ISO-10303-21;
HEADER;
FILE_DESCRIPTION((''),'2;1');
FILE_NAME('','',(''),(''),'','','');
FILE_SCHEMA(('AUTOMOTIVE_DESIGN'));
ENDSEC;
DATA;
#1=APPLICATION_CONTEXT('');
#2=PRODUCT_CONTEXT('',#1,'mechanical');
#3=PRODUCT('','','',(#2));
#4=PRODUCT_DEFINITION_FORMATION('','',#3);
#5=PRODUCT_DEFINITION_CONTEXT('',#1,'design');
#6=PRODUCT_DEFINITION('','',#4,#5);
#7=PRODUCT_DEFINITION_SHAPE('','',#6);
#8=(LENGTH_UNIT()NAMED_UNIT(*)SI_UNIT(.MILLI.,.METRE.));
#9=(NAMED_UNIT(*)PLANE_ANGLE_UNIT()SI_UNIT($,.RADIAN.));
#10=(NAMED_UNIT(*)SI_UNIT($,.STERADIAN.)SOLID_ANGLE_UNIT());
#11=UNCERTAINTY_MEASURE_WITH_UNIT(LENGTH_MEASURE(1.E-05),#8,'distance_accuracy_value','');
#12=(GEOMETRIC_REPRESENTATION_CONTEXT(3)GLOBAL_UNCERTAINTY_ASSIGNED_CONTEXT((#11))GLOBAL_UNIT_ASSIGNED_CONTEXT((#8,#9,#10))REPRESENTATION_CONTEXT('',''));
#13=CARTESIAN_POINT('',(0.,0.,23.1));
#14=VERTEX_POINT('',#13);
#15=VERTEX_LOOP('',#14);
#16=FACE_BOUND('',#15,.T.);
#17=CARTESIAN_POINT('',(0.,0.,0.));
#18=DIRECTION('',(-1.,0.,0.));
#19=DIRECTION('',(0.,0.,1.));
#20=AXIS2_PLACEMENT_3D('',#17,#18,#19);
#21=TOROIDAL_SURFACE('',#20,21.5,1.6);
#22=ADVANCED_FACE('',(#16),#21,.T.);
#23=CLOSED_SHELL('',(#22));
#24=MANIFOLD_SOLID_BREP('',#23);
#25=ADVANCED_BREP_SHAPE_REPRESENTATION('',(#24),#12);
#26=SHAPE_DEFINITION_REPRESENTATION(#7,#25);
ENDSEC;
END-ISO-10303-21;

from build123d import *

# Parameters (mm, degrees)
SKETCH_1_R = 1.6


with BuildPart() as part:
    # 草图1 → 旋转1 (revolve)
    with BuildSketch(Plane.XY, mode=Mode.PRIVATE) as revolve_1_sk:
        with Locations((0, 21.5)):
            Circle(SKETCH_1_R)
    revolve(revolve_1_sk.sketch.rotate(Axis((0, 0, 0), (1, 0, 0)), 90), axis=Axis((0, 0, 0), (1, 0, 0)))


solid = part.part
